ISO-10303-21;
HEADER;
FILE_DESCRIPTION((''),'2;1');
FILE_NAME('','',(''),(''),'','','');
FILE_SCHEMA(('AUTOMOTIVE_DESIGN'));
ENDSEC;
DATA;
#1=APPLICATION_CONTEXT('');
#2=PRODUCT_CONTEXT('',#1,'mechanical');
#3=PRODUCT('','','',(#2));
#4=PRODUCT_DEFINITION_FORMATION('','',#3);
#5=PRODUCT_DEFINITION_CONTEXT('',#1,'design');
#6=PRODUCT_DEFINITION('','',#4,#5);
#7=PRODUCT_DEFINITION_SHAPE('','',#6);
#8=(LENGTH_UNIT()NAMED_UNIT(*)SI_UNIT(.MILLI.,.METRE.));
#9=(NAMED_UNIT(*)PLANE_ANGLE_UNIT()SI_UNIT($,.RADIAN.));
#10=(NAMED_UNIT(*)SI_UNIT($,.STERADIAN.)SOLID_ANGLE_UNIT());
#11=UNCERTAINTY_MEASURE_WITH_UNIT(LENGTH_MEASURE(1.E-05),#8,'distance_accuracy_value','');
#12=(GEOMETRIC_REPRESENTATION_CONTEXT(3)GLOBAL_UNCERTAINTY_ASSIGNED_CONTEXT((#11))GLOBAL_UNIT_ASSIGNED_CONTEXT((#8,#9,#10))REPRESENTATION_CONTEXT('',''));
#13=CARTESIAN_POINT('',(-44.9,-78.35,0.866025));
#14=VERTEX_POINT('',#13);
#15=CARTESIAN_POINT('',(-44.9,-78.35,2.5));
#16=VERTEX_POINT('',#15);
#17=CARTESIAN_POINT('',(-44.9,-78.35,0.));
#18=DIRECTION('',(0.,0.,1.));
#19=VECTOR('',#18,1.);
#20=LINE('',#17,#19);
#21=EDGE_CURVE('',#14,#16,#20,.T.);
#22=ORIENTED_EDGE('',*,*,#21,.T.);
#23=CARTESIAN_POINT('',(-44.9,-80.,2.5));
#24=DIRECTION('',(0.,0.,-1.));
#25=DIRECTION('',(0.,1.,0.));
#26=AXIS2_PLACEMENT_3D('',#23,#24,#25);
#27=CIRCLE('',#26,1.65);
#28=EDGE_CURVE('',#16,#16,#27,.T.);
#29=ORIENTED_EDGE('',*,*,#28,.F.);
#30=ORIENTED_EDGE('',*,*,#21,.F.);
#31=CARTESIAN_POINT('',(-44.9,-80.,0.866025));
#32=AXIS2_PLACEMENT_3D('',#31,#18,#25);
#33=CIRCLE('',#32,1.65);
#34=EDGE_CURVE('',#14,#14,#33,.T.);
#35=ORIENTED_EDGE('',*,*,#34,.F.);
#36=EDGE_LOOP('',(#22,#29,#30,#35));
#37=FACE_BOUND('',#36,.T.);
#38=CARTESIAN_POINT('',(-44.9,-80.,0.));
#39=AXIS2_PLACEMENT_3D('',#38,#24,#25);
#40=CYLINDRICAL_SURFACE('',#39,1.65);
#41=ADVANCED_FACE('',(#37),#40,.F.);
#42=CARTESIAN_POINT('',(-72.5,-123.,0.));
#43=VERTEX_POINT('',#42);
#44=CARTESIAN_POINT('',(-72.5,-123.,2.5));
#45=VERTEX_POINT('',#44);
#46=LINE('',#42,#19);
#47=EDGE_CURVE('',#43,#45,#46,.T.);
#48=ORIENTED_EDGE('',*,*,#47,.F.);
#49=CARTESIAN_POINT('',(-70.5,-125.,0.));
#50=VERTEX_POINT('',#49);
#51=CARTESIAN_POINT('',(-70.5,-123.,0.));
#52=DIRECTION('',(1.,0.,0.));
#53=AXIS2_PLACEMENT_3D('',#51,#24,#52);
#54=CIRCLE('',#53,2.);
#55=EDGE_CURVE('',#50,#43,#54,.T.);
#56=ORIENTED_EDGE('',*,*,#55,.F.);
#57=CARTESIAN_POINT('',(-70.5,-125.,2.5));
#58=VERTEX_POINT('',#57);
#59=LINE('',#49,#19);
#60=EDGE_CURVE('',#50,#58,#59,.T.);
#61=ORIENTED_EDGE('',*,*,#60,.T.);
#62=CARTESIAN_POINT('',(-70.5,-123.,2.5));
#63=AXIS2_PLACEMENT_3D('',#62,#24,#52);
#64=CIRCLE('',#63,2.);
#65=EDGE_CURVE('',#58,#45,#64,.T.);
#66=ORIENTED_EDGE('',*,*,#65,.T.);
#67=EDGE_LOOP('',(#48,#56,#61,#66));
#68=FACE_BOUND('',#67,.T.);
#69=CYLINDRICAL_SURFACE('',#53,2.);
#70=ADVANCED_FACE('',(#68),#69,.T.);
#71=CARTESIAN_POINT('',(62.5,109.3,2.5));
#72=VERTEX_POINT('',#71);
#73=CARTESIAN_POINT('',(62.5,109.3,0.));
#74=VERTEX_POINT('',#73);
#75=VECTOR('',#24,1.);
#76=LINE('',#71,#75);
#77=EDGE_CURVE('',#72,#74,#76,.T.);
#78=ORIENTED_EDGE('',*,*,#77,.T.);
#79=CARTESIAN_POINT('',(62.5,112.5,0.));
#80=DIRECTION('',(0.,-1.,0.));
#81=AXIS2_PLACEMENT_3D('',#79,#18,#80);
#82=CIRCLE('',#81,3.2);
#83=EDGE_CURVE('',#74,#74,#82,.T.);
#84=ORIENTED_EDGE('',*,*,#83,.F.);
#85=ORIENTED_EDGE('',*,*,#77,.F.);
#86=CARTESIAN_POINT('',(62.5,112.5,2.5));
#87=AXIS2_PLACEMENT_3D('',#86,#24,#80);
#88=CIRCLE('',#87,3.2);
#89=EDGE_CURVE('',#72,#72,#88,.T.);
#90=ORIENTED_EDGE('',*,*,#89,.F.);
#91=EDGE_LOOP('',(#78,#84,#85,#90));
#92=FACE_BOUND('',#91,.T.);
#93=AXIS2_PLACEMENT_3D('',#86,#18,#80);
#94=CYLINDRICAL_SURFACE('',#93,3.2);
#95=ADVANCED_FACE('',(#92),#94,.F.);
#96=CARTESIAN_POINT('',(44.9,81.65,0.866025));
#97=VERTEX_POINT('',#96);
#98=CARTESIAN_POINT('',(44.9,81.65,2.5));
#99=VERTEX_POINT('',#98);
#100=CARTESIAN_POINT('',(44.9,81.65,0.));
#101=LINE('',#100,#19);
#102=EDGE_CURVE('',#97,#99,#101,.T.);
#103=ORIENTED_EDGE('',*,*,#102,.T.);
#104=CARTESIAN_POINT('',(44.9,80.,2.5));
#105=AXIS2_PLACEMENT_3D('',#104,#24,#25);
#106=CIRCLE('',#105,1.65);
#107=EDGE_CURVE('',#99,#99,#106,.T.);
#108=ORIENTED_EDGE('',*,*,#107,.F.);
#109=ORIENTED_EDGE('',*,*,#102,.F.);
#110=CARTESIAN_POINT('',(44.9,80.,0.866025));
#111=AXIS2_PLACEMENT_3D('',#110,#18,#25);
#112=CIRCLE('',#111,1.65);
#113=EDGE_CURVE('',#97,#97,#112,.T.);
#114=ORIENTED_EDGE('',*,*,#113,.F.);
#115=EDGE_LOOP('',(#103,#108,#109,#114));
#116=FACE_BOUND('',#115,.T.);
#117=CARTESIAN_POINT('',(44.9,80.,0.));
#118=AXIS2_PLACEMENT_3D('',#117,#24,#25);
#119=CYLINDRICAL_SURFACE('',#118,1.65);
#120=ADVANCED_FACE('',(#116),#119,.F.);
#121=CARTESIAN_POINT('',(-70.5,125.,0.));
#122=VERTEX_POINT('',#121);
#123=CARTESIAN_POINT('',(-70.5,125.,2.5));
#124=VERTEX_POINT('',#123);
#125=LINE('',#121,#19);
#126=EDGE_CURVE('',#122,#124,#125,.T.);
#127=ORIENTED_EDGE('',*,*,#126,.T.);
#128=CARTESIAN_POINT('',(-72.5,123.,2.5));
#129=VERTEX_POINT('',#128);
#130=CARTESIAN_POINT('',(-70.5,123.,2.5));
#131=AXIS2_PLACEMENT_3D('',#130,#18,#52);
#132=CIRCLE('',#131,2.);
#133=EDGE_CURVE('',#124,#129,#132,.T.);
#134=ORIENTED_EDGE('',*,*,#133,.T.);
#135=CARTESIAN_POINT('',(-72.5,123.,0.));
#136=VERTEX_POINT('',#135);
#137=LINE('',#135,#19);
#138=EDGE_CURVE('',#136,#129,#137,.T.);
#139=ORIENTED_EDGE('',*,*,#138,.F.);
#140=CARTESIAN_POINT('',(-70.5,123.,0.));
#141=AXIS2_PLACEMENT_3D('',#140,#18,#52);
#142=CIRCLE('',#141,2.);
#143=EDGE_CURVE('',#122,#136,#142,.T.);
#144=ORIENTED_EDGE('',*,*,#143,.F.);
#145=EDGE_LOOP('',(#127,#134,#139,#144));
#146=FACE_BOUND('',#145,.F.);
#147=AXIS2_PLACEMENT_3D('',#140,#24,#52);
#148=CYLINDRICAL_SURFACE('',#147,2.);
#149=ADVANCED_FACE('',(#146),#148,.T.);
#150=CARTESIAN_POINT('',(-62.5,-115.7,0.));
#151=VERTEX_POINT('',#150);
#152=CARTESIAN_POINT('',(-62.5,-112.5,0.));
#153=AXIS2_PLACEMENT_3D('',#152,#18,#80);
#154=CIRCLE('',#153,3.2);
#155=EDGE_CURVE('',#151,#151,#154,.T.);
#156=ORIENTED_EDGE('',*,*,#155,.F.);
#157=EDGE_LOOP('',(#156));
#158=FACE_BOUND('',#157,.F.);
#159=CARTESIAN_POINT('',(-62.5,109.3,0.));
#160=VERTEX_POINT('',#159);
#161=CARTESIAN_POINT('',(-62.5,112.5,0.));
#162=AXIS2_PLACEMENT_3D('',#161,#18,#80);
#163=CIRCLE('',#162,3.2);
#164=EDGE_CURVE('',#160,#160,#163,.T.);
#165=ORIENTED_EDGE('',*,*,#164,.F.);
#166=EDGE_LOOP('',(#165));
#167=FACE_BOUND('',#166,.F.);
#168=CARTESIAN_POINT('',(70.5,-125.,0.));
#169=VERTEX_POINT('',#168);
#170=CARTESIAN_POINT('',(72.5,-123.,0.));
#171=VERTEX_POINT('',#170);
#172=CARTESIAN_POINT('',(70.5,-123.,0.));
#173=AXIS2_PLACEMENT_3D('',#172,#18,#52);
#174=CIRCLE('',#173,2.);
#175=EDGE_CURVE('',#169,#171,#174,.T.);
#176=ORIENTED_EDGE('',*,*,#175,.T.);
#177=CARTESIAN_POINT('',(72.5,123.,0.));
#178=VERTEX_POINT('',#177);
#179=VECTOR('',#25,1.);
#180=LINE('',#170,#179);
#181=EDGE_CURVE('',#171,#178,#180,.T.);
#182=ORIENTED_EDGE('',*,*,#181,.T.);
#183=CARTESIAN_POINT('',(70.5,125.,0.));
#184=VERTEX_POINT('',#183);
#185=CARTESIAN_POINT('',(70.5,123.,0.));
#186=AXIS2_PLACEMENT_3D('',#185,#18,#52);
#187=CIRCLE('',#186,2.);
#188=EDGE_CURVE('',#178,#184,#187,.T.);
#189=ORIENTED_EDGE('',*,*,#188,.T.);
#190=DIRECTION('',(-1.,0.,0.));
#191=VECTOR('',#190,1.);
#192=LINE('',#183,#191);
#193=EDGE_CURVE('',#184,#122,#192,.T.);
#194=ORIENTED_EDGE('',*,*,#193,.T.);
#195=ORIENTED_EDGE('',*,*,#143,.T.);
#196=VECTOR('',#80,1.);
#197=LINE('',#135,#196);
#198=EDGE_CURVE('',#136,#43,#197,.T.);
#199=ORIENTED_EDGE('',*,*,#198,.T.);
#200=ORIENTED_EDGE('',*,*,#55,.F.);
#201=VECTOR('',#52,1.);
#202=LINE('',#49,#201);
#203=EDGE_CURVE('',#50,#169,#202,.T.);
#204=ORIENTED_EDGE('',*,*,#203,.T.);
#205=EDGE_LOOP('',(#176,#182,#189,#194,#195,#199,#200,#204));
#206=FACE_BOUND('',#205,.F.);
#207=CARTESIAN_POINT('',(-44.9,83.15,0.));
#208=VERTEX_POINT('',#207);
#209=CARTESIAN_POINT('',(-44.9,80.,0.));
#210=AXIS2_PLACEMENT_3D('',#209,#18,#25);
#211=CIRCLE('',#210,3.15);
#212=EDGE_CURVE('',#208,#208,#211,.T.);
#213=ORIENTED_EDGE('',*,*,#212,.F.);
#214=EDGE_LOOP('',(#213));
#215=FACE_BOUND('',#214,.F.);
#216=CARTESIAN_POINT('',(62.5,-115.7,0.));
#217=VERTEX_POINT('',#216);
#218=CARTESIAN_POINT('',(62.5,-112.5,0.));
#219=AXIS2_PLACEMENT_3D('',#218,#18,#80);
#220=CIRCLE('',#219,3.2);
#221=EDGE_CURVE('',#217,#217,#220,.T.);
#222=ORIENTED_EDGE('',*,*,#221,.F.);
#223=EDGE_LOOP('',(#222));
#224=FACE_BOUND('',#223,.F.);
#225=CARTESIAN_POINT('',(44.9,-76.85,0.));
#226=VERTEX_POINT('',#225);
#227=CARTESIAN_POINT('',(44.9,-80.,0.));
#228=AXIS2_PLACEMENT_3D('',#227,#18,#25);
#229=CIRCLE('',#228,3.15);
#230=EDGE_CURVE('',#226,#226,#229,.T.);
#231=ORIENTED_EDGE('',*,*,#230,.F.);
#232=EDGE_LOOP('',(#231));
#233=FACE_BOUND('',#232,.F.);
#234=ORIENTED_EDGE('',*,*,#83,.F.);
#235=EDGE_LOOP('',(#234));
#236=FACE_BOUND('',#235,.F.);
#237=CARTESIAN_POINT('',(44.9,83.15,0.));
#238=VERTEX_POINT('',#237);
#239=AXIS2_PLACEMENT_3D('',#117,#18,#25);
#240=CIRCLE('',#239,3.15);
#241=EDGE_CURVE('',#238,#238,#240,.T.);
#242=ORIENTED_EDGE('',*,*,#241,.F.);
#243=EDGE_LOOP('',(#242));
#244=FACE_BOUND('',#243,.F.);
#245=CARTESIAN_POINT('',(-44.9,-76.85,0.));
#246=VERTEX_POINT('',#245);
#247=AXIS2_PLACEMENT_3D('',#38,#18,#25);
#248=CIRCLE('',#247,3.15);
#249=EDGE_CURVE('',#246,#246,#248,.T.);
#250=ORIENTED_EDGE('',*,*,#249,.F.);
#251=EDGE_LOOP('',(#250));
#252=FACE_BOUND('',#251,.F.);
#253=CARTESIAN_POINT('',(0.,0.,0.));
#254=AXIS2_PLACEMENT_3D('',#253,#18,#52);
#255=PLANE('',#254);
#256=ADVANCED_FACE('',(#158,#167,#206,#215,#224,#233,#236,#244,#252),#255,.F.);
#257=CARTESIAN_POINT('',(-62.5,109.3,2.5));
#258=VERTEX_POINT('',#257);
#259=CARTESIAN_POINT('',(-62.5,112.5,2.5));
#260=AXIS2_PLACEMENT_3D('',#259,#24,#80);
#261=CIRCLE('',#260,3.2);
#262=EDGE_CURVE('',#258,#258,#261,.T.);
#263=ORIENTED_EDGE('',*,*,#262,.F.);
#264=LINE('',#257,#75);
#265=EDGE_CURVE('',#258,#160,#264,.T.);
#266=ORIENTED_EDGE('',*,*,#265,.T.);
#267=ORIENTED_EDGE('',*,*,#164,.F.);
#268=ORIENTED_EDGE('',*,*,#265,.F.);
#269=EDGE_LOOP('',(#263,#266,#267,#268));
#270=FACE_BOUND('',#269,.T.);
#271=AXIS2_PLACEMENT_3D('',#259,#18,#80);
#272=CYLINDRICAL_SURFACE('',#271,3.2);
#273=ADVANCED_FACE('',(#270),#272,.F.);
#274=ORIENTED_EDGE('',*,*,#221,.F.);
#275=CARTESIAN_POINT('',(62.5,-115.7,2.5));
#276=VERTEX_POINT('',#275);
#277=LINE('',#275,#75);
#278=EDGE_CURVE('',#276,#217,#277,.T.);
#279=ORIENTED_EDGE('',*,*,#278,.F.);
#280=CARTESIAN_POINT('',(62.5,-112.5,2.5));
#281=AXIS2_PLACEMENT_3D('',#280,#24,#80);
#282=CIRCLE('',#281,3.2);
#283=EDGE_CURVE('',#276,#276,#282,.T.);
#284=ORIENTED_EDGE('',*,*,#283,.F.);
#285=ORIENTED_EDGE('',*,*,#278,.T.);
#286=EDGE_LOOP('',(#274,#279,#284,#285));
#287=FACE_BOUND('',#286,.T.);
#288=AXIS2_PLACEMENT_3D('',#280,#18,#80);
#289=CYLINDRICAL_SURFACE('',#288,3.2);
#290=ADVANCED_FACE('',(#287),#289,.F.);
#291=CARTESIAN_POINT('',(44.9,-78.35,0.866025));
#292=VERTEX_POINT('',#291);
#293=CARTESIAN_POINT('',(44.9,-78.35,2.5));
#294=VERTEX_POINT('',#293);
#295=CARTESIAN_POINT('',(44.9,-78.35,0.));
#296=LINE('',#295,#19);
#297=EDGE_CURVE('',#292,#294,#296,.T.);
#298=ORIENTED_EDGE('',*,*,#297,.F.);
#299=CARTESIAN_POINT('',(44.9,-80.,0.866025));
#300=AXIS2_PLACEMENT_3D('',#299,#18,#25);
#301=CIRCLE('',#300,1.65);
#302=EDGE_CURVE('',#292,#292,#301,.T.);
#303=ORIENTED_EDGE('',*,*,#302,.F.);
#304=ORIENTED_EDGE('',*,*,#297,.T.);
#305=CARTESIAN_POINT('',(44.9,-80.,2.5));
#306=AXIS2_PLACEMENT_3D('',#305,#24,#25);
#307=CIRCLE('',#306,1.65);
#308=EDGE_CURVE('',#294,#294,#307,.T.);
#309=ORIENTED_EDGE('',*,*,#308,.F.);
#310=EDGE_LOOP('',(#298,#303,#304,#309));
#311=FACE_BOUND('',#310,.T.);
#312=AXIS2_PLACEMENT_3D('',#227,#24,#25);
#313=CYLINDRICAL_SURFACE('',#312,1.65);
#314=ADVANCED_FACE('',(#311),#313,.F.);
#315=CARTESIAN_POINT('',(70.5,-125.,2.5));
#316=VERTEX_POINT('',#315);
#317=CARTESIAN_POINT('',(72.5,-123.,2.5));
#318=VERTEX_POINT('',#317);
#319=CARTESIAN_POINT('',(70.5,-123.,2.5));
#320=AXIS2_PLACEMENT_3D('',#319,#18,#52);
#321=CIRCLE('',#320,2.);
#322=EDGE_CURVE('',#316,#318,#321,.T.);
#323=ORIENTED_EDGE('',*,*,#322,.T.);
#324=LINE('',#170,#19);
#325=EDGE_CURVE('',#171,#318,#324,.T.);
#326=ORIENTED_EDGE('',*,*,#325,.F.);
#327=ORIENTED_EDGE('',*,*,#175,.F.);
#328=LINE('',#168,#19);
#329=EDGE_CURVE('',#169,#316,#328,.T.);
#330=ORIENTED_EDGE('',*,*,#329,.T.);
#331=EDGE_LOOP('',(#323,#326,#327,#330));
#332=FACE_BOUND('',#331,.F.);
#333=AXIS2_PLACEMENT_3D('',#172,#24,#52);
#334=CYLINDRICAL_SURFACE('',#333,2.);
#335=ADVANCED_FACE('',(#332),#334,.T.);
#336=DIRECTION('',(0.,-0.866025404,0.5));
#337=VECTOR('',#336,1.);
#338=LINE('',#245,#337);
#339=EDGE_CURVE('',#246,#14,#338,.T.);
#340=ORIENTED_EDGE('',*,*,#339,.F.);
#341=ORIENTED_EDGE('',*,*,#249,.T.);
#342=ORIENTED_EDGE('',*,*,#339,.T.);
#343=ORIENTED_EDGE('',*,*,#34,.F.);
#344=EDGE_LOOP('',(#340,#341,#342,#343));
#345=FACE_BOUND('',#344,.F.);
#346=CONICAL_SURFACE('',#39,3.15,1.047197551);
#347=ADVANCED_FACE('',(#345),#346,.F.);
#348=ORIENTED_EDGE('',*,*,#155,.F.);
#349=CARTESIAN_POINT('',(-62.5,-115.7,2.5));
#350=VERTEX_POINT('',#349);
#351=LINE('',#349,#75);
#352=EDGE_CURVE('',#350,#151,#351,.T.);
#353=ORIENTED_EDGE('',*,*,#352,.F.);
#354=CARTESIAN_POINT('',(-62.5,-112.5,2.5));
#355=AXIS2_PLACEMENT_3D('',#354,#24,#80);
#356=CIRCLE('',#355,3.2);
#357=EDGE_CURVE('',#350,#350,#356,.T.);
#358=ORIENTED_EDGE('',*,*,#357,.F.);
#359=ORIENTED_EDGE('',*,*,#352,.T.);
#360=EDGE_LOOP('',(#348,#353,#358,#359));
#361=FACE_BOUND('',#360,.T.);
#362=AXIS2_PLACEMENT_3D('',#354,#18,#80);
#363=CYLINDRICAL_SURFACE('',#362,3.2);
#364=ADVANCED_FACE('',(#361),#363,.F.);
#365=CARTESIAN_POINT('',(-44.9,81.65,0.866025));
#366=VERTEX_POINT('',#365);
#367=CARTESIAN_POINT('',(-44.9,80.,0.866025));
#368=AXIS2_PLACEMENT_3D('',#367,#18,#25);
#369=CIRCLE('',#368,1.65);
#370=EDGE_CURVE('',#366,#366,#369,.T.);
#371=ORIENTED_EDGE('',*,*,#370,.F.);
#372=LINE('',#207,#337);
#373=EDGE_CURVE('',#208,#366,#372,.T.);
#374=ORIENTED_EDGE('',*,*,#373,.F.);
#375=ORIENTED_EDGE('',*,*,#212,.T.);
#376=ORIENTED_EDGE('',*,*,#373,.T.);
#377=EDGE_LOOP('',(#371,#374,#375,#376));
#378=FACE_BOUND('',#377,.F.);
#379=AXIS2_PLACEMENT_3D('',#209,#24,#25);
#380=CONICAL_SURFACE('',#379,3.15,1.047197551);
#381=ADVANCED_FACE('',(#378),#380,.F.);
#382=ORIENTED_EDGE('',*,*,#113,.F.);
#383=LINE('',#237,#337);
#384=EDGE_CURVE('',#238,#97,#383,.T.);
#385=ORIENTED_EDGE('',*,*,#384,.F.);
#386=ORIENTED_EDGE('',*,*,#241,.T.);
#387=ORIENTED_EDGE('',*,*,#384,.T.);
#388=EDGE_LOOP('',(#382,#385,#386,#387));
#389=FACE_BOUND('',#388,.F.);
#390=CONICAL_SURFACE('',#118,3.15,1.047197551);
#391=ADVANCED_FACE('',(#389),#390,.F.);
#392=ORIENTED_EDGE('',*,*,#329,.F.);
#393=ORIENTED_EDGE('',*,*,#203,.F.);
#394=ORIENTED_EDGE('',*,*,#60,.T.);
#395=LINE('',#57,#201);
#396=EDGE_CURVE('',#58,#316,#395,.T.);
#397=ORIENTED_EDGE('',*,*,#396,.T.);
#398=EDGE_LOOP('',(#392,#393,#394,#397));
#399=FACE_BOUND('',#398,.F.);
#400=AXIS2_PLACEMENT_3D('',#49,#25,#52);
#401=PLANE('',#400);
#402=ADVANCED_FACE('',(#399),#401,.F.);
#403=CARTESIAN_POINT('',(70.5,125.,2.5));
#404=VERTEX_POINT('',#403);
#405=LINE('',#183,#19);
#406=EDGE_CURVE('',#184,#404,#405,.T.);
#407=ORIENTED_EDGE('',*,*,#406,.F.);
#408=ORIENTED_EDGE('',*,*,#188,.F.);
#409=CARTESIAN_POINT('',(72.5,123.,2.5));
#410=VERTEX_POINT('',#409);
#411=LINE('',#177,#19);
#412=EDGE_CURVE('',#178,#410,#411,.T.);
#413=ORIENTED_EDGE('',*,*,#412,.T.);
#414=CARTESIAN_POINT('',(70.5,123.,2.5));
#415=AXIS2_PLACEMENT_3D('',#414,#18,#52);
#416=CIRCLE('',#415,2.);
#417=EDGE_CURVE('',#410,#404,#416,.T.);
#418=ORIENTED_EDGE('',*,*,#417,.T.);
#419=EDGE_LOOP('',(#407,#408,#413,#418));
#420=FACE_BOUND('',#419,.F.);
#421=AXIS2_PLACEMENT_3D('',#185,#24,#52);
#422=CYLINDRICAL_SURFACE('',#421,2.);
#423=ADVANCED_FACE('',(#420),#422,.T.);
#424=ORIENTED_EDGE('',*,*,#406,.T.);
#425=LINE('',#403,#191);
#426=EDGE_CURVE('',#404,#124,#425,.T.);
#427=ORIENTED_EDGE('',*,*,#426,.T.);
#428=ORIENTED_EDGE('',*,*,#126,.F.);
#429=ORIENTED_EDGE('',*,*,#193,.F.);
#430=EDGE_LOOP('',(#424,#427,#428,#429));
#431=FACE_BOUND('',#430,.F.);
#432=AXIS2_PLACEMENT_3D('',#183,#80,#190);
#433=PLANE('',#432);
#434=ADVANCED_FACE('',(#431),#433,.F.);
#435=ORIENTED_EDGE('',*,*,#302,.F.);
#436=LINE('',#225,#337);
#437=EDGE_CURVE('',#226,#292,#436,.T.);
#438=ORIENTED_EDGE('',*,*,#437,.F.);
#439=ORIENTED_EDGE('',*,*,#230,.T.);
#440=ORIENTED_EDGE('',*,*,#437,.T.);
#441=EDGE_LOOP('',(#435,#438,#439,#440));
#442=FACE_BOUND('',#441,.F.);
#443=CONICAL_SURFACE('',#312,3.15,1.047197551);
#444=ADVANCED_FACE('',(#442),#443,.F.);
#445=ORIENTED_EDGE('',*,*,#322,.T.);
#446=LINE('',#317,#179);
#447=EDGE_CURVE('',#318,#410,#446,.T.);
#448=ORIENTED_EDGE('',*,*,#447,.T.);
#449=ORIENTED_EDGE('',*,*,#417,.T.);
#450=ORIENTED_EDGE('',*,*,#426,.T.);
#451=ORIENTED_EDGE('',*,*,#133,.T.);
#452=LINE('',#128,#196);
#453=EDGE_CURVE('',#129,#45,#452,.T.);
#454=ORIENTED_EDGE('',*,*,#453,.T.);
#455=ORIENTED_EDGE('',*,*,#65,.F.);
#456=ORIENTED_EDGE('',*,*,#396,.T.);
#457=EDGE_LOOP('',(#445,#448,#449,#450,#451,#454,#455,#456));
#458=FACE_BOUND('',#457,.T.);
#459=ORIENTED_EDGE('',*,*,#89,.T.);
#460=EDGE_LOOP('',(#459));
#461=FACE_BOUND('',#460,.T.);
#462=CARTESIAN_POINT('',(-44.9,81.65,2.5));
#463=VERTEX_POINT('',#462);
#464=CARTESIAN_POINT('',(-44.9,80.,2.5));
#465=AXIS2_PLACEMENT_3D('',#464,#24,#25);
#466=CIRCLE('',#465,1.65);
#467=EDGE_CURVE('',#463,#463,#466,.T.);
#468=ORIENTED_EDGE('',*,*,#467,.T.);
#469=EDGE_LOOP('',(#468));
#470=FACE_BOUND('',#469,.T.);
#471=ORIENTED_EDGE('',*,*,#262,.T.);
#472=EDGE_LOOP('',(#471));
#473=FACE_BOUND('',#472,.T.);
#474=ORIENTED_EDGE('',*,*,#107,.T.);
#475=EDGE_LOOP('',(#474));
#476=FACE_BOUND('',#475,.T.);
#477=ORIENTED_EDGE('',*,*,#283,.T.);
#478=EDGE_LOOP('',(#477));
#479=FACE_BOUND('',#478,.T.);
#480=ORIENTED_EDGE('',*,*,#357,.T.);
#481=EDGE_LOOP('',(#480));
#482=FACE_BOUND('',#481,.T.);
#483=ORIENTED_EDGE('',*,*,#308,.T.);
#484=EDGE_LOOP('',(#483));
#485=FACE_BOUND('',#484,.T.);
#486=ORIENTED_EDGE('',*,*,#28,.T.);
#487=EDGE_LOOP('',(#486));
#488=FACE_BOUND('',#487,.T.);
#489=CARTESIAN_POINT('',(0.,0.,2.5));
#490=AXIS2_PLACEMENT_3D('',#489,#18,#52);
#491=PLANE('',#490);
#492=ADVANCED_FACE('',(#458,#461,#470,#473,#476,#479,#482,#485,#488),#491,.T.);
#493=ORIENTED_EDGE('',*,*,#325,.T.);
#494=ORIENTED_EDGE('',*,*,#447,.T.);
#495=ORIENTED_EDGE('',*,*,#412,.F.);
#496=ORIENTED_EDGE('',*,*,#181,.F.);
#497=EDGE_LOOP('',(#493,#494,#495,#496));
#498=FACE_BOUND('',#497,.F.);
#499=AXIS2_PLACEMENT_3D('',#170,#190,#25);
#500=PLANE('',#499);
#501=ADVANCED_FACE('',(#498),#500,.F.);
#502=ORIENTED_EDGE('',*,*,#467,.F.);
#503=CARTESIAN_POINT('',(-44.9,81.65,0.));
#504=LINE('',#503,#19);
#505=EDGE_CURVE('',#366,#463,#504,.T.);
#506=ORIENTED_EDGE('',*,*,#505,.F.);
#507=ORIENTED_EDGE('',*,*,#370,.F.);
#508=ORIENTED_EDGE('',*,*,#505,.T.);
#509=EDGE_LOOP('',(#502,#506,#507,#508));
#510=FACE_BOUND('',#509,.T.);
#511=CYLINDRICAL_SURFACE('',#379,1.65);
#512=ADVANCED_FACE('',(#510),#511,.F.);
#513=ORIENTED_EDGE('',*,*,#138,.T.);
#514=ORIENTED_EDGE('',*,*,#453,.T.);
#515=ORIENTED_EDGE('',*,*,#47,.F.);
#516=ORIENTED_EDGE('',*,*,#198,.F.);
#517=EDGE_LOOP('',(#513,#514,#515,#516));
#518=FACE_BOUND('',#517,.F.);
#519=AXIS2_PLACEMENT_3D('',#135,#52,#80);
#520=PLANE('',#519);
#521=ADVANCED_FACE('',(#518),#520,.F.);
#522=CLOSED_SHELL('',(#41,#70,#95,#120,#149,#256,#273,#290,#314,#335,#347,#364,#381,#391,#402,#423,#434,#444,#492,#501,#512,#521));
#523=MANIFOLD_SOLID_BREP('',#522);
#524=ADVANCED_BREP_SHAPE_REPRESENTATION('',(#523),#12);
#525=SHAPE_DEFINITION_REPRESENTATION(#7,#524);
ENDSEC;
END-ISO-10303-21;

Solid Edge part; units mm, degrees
sketch "Sketch1" plane through (0, 0, 0) normal (0, 0, 1) x (1, 0, 0)
  line L0 (-70.5, -125) -> (70.5, -125)
  arc A0 (70.5, -125) -> (72.5, -123) centre (70.5, -123) ccw
  line L1 (72.5, -123) -> (72.5, 123)
  arc A1 (72.5, 123) -> (70.5, 125) centre (70.5, 123) ccw
  line L2 (70.5, 125) -> (-70.5, 125)
  arc A2 (-70.5, 125) -> (-72.5, 123) centre (-70.5, 123) ccw
  line L3 (-72.5, 123) -> (-72.5, -123)
  arc A3 (-70.5, -125) -> (-72.5, -123) centre (-70.5, -123) cw
extrude "Extrusionsausprägung_1" add sketch "Sketch1" along normal blind 2.5
hole "Bohrung_1" at (-44.9, -80, 0) direction (0, 0, 1) diameter 3.3 end up to next countersink diameter 6.3 countersink angle 120
hole "Hole1" at (44.9, -80, 0) direction (0, 0, 1) diameter 3.3 end up to next countersink diameter 6.3 countersink angle 120
hole "Hole2" at (-44.9, 80, 0) direction (0, 0, 1) diameter 3.3 end up to next countersink diameter 6.3 countersink angle 120
hole "Hole3" at (44.9, 80, 0) direction (0, 0, 1) diameter 3.3 end up to next countersink diameter 6.3 countersink angle 120
hole "Bohrung_5" at (-62.5, 112.5, 2.5) direction (0, 0, -1) diameter 6.4 end up to next
hole "Hole4" at (62.5, 112.5, 2.5) direction (0, 0, -1) diameter 6.4 end up to next
hole "Hole5" at (62.5, -112.5, 2.5) direction (0, 0, -1) diameter 6.4 end up to next
hole "Hole6" at (-62.5, -112.5, 2.5) direction (0, 0, -1) diameter 6.4 end up to next
properties material "Aluminium, 2024-T4"
